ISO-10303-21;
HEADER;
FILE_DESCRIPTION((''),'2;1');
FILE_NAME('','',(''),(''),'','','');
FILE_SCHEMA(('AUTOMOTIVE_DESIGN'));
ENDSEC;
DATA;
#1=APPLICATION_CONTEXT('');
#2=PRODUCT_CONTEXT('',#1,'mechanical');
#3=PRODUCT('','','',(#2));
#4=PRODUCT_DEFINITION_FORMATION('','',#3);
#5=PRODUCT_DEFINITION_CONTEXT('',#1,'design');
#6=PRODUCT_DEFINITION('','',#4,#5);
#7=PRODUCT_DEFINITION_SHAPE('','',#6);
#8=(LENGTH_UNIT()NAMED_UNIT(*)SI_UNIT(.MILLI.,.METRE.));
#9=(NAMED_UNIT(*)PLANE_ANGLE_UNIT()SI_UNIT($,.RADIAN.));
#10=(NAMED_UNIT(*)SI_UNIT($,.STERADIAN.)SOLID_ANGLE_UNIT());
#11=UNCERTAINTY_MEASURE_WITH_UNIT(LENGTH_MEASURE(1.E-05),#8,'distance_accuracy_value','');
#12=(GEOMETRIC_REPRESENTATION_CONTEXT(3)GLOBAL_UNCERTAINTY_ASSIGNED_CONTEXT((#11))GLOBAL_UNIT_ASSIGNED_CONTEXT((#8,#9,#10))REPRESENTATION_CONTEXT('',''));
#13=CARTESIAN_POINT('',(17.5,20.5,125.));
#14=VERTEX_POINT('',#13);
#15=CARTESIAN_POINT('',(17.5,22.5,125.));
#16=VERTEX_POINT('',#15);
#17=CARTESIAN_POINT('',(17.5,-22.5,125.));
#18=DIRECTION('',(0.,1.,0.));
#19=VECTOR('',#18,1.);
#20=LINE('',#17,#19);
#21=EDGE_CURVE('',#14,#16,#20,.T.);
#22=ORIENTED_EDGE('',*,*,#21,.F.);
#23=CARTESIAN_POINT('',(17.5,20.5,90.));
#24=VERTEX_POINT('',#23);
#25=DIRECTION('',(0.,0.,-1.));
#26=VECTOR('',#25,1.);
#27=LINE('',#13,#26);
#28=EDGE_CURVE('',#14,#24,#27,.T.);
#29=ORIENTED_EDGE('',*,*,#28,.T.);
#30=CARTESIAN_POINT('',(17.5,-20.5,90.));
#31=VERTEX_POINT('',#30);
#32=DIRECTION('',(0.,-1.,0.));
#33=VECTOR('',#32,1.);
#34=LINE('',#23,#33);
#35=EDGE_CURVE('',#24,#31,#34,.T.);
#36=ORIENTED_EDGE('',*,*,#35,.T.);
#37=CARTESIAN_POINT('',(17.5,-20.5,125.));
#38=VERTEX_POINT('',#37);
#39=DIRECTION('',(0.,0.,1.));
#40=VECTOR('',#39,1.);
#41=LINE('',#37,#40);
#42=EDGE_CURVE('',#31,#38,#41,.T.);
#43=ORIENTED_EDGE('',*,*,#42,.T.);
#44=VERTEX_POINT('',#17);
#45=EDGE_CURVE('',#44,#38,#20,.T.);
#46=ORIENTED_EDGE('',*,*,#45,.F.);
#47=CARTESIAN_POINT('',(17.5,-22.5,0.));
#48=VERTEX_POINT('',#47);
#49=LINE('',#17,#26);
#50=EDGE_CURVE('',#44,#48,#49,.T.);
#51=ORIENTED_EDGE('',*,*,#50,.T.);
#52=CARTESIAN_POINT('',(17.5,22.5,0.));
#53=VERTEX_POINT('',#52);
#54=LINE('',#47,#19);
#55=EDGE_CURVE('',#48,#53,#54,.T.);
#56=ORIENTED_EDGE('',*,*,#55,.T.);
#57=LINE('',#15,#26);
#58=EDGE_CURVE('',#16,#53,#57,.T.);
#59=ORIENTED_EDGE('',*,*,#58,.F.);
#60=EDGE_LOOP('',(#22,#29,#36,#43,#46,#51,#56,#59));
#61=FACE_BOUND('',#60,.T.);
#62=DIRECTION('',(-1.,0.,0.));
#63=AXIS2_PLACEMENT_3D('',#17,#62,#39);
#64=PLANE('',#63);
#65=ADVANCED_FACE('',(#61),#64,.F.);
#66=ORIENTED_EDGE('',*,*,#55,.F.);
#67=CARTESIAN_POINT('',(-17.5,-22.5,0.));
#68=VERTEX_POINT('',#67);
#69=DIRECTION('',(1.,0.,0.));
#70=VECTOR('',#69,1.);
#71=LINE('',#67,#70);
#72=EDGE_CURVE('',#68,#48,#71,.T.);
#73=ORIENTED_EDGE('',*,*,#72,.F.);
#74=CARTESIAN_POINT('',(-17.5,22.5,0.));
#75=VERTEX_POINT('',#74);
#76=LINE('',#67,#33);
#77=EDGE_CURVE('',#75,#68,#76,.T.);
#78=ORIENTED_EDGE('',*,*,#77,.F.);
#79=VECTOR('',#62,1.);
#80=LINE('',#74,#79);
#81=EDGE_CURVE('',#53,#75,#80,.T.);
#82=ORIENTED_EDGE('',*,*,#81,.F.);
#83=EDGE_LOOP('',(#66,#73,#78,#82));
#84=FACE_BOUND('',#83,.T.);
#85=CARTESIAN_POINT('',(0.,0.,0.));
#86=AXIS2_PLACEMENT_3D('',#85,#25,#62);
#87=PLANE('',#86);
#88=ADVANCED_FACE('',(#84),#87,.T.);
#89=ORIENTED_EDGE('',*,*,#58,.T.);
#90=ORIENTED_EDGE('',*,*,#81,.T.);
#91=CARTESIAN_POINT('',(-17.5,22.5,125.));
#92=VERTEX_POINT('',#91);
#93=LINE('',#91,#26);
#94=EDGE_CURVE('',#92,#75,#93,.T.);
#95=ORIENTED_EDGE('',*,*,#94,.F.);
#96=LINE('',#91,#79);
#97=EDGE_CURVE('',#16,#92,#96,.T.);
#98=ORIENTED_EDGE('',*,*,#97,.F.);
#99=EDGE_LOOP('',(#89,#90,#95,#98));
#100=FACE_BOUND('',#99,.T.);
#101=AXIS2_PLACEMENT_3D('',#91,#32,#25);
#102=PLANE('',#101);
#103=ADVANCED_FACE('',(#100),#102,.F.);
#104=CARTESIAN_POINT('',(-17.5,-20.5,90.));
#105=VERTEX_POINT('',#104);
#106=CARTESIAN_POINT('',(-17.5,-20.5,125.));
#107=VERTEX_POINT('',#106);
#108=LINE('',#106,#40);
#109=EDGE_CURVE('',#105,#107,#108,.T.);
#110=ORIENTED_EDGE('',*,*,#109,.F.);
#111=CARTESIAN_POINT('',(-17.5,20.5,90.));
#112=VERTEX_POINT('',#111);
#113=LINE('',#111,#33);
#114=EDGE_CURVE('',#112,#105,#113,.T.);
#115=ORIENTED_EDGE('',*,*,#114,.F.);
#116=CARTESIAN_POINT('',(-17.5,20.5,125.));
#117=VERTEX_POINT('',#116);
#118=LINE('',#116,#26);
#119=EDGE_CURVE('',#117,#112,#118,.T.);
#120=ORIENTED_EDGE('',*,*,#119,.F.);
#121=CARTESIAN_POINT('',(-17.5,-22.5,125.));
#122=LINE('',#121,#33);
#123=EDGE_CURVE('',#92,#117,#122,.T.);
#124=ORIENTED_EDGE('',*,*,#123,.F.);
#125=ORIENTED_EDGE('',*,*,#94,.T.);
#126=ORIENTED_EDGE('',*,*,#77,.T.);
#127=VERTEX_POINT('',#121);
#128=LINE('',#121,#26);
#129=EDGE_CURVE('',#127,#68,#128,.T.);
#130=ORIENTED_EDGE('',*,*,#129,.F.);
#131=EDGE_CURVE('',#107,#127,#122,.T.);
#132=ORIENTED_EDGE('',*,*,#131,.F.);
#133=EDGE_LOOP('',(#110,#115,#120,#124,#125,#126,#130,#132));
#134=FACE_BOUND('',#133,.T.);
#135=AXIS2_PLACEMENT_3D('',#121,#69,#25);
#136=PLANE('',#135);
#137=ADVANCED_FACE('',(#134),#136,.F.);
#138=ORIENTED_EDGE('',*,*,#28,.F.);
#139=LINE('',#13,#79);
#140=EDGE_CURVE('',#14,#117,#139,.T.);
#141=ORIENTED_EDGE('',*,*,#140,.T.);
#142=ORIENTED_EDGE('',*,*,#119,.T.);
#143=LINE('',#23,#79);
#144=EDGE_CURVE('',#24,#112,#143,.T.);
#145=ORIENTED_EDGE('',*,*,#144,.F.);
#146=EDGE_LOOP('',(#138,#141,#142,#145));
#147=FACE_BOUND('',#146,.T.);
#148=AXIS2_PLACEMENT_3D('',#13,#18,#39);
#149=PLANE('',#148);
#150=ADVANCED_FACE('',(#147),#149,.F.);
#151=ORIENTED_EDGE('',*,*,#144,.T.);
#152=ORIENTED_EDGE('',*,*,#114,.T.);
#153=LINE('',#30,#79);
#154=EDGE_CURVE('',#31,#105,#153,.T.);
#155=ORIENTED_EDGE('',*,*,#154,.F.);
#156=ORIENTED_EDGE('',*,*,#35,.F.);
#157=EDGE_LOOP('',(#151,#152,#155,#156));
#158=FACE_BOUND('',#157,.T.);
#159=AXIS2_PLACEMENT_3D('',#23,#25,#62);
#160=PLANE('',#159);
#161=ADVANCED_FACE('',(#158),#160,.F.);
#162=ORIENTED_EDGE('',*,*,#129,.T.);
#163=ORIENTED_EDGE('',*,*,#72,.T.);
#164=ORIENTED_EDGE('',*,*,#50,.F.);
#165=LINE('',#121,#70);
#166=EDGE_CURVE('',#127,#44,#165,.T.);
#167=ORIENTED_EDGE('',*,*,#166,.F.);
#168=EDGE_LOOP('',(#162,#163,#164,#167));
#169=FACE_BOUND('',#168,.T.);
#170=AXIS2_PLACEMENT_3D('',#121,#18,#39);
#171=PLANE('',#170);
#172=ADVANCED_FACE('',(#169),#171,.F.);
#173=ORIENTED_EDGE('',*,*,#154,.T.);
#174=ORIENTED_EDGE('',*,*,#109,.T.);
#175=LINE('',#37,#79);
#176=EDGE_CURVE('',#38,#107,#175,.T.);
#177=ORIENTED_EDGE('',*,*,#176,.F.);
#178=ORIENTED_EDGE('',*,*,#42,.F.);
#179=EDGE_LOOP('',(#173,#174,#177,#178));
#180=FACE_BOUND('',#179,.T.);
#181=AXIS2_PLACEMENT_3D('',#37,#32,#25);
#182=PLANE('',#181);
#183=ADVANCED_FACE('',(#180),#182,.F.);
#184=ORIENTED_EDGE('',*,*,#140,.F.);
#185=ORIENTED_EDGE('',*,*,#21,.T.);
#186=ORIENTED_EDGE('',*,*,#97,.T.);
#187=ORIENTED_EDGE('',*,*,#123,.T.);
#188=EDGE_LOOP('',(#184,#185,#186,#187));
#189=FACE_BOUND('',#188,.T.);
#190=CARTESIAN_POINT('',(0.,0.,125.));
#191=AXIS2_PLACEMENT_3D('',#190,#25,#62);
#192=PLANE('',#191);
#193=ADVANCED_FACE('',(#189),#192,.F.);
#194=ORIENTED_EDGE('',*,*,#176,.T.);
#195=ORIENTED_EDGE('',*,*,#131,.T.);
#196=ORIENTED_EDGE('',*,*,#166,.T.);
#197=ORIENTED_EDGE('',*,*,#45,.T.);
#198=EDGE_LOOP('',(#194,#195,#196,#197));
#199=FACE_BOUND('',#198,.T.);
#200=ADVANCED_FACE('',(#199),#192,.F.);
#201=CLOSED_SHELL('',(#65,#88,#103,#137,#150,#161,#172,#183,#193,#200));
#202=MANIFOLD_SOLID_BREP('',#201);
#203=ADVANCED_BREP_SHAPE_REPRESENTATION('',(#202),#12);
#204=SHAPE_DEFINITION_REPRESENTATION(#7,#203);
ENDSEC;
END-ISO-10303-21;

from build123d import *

# Parameters (mm, degrees)
SKETCH1_W           = 35
SKETCH1_H           = 45
BOSS_EXTRUDE1_DEPTH = 125
SKETCH2_W           = 35
SKETCH2_H           = 41
CUT_EXTRUDE1_DEPTH  = 36


with BuildPart() as part:
    # Sketch1 → Boss-Extrude1 (new body)
    with BuildSketch(Plane.XY):
        Rectangle(SKETCH1_W, SKETCH1_H)
    extrude(amount=BOSS_EXTRUDE1_DEPTH)

    # Sketch2 → Cut-Extrude1 (cut, through all)
    with BuildSketch(Plane.ZY.offset(17.5)):
        with Locations((107.5, 0)):
            Rectangle(SKETCH2_W, SKETCH2_H)
    extrude(amount=-CUT_EXTRUDE1_DEPTH, mode=Mode.SUBTRACT)


solid = part.part
